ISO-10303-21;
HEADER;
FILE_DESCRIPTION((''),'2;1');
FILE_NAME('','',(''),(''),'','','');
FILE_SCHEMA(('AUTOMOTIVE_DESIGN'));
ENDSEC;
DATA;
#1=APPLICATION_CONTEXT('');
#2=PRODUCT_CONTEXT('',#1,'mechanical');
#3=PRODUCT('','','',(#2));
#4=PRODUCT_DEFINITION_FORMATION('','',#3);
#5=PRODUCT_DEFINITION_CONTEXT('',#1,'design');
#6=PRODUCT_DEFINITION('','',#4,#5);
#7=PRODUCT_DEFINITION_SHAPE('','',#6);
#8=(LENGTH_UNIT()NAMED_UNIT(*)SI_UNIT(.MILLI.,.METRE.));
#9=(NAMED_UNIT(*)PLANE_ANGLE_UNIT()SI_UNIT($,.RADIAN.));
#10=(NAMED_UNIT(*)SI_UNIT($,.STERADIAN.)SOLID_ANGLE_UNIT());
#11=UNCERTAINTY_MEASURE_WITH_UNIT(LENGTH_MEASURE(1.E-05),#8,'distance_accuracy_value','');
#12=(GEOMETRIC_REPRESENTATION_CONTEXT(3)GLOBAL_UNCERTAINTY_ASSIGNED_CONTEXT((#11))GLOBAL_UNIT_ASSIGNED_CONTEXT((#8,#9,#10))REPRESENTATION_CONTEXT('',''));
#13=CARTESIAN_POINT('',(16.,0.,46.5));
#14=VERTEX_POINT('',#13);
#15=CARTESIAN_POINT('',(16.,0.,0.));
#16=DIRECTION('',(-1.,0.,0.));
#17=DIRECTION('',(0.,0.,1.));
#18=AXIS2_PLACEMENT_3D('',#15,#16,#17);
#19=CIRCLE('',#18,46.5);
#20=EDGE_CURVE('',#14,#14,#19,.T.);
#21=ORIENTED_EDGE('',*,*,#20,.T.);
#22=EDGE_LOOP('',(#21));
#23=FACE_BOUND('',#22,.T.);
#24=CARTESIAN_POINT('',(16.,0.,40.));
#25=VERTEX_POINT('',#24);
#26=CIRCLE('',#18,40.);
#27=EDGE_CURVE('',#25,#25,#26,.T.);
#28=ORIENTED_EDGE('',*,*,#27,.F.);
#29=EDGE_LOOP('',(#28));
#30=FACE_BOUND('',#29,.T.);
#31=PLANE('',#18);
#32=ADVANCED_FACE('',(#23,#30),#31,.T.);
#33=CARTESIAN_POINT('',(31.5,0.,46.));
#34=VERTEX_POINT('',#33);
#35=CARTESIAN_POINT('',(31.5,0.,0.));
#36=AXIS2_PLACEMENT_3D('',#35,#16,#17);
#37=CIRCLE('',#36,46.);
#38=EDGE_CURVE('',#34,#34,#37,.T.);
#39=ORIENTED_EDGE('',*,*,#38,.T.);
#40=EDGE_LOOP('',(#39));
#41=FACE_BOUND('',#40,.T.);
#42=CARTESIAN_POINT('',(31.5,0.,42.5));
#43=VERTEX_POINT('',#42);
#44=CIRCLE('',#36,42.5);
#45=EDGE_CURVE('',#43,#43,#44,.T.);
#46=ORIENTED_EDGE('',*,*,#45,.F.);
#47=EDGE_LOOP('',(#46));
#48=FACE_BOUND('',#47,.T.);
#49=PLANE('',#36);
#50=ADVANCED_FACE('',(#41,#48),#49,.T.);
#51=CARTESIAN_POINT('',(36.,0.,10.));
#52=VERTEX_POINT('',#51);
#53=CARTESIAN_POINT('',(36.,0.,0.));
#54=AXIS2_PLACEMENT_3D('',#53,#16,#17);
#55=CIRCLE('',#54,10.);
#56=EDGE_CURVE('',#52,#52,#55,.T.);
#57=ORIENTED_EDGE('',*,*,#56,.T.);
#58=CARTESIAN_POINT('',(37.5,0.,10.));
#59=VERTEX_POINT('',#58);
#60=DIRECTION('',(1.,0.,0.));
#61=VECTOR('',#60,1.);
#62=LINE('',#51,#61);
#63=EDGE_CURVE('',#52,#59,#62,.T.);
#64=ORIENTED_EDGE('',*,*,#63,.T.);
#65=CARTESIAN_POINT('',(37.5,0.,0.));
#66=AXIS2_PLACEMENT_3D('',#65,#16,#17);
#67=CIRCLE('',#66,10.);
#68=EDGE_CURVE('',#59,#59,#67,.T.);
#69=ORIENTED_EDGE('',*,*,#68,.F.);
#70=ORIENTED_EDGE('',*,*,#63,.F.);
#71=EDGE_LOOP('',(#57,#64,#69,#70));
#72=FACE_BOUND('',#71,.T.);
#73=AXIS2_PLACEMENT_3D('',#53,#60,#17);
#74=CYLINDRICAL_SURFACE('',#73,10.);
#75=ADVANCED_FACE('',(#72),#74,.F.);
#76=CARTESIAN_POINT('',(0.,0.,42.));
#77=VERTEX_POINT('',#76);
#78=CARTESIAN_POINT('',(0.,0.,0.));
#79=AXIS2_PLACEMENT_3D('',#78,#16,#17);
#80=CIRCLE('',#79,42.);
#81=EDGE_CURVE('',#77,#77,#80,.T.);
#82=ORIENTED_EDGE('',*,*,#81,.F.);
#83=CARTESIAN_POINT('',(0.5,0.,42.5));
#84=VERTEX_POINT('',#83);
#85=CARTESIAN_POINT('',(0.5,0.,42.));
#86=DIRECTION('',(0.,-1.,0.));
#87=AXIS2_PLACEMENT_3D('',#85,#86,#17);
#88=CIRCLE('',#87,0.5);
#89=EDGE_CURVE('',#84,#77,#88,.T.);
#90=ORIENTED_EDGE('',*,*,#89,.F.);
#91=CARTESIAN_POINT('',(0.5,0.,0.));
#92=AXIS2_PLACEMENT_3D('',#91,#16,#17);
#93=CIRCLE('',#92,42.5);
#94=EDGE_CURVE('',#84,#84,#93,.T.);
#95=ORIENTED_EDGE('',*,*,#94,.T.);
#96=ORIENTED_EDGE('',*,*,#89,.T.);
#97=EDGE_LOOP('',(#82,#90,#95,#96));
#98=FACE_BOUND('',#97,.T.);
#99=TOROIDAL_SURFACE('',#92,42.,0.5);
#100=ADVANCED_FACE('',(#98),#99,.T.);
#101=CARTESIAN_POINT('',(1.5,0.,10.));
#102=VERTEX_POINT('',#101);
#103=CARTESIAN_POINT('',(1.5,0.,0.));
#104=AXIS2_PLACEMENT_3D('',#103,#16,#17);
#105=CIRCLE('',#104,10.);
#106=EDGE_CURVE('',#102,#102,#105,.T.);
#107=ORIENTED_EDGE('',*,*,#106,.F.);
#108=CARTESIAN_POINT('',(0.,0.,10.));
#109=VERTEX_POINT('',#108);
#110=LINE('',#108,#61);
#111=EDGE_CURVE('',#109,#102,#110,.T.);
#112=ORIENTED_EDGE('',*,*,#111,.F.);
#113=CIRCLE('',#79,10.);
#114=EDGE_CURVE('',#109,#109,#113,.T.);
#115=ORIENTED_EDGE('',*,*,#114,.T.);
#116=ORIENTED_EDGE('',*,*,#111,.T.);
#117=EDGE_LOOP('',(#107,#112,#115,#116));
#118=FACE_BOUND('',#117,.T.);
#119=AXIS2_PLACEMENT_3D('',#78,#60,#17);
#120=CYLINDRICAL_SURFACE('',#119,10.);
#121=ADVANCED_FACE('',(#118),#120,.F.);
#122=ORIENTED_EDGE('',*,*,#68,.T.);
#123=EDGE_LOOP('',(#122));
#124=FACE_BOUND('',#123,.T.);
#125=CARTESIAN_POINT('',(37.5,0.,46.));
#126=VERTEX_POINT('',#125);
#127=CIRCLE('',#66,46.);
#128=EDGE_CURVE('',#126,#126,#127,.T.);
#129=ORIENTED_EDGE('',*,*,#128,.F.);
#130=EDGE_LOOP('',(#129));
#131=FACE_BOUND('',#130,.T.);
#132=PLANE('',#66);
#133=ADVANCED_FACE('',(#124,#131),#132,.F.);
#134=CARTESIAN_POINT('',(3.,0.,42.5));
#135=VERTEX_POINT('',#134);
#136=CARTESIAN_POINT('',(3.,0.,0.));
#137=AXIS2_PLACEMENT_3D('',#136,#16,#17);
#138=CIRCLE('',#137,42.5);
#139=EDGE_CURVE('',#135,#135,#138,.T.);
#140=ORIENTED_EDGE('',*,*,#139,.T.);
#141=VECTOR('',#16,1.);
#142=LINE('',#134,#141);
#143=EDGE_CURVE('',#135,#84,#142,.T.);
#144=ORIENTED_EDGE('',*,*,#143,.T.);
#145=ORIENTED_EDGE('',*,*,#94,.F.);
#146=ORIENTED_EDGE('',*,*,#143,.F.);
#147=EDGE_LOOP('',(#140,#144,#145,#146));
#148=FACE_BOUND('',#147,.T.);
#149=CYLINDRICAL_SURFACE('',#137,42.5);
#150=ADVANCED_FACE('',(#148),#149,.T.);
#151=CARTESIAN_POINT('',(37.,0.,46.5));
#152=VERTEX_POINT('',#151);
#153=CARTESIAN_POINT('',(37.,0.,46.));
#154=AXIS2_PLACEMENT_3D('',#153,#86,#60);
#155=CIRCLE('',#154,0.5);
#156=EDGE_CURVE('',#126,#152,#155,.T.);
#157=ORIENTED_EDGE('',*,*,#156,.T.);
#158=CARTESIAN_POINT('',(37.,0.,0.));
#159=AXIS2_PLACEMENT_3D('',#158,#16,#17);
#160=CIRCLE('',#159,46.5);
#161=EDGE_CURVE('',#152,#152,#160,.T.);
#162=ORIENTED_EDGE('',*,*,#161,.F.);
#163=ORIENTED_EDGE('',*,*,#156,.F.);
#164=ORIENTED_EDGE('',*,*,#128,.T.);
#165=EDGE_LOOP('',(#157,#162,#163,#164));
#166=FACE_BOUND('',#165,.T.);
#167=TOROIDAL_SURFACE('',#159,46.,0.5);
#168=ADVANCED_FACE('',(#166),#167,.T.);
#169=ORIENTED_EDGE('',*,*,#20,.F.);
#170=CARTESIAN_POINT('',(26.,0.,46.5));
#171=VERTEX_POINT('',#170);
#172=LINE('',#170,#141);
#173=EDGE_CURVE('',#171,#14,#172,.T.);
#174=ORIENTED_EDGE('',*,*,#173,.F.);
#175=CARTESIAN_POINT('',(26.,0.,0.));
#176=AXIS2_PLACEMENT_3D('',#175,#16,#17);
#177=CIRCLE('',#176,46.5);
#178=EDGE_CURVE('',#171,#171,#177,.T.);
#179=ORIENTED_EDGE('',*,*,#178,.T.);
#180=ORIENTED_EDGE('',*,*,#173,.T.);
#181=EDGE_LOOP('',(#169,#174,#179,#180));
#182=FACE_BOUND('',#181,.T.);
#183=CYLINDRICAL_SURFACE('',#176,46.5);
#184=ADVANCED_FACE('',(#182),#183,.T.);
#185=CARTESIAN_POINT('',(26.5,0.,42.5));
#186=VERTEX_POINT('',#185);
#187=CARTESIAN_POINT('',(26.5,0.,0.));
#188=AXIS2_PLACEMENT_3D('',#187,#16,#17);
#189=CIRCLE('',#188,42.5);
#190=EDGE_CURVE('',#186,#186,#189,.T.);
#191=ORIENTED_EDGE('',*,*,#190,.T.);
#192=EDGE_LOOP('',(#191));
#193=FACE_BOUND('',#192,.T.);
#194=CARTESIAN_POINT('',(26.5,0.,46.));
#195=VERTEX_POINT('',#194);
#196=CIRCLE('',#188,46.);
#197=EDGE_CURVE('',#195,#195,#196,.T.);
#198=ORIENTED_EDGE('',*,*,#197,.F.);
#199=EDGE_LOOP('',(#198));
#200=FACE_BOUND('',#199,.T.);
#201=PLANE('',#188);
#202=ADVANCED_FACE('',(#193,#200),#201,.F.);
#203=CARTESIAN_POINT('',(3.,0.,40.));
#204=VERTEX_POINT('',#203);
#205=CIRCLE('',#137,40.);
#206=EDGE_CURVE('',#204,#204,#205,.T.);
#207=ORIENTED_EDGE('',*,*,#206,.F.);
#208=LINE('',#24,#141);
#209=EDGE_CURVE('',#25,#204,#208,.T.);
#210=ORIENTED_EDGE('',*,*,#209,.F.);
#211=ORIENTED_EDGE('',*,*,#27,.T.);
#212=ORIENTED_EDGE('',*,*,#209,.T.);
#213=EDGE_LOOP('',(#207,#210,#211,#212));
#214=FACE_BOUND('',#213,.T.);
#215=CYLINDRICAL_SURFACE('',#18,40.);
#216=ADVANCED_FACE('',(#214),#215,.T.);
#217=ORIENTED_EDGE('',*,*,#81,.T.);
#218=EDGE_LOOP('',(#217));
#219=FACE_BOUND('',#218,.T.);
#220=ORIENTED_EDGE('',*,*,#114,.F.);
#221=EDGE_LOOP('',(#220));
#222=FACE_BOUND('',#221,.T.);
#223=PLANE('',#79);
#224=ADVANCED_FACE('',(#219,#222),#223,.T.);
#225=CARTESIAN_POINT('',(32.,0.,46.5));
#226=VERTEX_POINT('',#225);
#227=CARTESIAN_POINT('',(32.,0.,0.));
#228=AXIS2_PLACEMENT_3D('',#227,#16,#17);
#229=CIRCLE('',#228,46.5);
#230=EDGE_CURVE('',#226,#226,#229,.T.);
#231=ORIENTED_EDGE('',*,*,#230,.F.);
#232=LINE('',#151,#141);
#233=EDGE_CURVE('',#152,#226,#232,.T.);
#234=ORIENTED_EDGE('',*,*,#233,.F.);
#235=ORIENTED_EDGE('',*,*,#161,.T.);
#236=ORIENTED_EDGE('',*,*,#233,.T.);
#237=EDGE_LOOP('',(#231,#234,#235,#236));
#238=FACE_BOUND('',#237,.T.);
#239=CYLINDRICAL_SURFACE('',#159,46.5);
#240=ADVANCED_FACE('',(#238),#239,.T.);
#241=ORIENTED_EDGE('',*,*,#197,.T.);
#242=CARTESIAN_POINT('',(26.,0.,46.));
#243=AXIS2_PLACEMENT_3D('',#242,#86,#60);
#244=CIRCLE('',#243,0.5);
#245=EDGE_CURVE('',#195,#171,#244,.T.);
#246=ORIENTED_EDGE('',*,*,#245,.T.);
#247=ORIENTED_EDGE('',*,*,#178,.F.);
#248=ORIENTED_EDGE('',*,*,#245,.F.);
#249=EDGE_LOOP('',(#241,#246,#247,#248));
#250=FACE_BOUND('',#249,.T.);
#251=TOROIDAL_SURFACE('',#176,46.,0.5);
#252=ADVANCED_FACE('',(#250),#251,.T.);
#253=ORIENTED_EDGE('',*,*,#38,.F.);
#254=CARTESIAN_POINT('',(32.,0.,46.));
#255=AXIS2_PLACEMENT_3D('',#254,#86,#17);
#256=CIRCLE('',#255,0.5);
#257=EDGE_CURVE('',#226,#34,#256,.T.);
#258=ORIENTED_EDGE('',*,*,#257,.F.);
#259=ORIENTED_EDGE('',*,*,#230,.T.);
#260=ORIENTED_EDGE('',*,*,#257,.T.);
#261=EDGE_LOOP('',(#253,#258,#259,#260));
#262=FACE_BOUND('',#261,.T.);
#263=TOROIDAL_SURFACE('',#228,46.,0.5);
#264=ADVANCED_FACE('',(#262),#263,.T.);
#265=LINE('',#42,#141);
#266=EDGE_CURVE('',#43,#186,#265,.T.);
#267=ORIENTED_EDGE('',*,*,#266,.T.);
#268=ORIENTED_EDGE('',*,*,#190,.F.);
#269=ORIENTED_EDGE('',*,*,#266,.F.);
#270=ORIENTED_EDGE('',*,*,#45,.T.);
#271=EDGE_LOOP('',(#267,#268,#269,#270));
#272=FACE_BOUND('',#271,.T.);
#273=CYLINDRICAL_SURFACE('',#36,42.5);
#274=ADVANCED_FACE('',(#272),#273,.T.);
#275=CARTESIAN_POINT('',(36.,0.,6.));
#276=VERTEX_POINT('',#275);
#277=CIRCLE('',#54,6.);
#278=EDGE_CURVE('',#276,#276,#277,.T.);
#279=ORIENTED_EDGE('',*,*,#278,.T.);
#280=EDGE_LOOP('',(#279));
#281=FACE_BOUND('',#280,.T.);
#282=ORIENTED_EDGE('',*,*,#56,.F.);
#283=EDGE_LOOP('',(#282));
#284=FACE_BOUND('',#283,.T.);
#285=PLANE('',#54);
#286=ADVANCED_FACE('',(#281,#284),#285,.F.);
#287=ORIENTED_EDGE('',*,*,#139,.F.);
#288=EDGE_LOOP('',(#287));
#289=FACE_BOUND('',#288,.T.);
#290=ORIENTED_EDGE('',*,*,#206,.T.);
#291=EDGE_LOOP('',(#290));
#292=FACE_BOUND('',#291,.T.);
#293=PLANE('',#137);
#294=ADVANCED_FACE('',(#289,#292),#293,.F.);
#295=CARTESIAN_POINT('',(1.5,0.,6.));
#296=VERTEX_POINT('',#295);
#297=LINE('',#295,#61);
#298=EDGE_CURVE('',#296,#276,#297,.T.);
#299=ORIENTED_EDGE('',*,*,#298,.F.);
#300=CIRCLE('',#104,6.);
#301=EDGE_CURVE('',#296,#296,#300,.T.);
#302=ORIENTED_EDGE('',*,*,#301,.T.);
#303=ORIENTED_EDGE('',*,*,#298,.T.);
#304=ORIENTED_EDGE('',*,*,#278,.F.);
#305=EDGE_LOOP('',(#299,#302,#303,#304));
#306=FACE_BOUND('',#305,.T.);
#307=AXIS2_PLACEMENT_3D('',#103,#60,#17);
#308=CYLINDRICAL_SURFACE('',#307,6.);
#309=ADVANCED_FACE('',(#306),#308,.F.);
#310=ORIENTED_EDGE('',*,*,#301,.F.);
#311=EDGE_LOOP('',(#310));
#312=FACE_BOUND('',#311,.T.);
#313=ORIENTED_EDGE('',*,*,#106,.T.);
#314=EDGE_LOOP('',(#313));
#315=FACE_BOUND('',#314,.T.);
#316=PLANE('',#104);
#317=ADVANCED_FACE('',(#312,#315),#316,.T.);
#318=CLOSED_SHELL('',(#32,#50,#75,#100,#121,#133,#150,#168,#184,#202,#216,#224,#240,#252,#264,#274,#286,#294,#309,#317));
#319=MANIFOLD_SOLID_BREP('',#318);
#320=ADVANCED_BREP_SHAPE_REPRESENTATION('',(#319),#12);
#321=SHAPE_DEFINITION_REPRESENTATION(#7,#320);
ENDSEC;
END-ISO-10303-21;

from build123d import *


with BuildPart() as f1:
    # F0 (on Front) → F1 (revolve)
    with BuildSketch(Plane.XZ):
        with BuildLine():
            Line((0, 42), (0, 10))
            Line((0, 10), (1.5, 10))
            Line((1.5, 10), (1.5, 6))
            Line((1.5, 6), (36, 6))
            Line((36, 6), (36, 10))
            Line((36, 10), (37.5, 10))
            Line((37.5, 10), (37.5, 46))
            ThreePointArc((37.5, 46), (37.3535533906, 46.3535533906), (37, 46.5))
            Line((37, 46.5), (32, 46.5))
            ThreePointArc((32, 46.5), (31.6464466094, 46.3535533906), (31.5, 46))
            Line((31.5, 46), (31.5, 42.5))
            Line((31.5, 42.5), (26.5, 42.5))
            Line((26.5, 42.5), (26.5, 46))
            ThreePointArc((26.5, 46), (26.3535533906, 46.3535533906), (26, 46.5))
            Line((26, 46.5), (16, 46.5))
            Line((16, 46.5), (16, 40))
            Line((16, 40), (3, 40))
            Line((3, 40), (3, 42.5))
            Line((3, 42.5), (0.5, 42.5))
            ThreePointArc((0.5, 42.5), (0.1464466094, 42.3535533906), (0, 42))
        make_face()
    revolve(axis=Axis((18.75, 0, 0), (-1, 0, 0)))


solid = f1.part
